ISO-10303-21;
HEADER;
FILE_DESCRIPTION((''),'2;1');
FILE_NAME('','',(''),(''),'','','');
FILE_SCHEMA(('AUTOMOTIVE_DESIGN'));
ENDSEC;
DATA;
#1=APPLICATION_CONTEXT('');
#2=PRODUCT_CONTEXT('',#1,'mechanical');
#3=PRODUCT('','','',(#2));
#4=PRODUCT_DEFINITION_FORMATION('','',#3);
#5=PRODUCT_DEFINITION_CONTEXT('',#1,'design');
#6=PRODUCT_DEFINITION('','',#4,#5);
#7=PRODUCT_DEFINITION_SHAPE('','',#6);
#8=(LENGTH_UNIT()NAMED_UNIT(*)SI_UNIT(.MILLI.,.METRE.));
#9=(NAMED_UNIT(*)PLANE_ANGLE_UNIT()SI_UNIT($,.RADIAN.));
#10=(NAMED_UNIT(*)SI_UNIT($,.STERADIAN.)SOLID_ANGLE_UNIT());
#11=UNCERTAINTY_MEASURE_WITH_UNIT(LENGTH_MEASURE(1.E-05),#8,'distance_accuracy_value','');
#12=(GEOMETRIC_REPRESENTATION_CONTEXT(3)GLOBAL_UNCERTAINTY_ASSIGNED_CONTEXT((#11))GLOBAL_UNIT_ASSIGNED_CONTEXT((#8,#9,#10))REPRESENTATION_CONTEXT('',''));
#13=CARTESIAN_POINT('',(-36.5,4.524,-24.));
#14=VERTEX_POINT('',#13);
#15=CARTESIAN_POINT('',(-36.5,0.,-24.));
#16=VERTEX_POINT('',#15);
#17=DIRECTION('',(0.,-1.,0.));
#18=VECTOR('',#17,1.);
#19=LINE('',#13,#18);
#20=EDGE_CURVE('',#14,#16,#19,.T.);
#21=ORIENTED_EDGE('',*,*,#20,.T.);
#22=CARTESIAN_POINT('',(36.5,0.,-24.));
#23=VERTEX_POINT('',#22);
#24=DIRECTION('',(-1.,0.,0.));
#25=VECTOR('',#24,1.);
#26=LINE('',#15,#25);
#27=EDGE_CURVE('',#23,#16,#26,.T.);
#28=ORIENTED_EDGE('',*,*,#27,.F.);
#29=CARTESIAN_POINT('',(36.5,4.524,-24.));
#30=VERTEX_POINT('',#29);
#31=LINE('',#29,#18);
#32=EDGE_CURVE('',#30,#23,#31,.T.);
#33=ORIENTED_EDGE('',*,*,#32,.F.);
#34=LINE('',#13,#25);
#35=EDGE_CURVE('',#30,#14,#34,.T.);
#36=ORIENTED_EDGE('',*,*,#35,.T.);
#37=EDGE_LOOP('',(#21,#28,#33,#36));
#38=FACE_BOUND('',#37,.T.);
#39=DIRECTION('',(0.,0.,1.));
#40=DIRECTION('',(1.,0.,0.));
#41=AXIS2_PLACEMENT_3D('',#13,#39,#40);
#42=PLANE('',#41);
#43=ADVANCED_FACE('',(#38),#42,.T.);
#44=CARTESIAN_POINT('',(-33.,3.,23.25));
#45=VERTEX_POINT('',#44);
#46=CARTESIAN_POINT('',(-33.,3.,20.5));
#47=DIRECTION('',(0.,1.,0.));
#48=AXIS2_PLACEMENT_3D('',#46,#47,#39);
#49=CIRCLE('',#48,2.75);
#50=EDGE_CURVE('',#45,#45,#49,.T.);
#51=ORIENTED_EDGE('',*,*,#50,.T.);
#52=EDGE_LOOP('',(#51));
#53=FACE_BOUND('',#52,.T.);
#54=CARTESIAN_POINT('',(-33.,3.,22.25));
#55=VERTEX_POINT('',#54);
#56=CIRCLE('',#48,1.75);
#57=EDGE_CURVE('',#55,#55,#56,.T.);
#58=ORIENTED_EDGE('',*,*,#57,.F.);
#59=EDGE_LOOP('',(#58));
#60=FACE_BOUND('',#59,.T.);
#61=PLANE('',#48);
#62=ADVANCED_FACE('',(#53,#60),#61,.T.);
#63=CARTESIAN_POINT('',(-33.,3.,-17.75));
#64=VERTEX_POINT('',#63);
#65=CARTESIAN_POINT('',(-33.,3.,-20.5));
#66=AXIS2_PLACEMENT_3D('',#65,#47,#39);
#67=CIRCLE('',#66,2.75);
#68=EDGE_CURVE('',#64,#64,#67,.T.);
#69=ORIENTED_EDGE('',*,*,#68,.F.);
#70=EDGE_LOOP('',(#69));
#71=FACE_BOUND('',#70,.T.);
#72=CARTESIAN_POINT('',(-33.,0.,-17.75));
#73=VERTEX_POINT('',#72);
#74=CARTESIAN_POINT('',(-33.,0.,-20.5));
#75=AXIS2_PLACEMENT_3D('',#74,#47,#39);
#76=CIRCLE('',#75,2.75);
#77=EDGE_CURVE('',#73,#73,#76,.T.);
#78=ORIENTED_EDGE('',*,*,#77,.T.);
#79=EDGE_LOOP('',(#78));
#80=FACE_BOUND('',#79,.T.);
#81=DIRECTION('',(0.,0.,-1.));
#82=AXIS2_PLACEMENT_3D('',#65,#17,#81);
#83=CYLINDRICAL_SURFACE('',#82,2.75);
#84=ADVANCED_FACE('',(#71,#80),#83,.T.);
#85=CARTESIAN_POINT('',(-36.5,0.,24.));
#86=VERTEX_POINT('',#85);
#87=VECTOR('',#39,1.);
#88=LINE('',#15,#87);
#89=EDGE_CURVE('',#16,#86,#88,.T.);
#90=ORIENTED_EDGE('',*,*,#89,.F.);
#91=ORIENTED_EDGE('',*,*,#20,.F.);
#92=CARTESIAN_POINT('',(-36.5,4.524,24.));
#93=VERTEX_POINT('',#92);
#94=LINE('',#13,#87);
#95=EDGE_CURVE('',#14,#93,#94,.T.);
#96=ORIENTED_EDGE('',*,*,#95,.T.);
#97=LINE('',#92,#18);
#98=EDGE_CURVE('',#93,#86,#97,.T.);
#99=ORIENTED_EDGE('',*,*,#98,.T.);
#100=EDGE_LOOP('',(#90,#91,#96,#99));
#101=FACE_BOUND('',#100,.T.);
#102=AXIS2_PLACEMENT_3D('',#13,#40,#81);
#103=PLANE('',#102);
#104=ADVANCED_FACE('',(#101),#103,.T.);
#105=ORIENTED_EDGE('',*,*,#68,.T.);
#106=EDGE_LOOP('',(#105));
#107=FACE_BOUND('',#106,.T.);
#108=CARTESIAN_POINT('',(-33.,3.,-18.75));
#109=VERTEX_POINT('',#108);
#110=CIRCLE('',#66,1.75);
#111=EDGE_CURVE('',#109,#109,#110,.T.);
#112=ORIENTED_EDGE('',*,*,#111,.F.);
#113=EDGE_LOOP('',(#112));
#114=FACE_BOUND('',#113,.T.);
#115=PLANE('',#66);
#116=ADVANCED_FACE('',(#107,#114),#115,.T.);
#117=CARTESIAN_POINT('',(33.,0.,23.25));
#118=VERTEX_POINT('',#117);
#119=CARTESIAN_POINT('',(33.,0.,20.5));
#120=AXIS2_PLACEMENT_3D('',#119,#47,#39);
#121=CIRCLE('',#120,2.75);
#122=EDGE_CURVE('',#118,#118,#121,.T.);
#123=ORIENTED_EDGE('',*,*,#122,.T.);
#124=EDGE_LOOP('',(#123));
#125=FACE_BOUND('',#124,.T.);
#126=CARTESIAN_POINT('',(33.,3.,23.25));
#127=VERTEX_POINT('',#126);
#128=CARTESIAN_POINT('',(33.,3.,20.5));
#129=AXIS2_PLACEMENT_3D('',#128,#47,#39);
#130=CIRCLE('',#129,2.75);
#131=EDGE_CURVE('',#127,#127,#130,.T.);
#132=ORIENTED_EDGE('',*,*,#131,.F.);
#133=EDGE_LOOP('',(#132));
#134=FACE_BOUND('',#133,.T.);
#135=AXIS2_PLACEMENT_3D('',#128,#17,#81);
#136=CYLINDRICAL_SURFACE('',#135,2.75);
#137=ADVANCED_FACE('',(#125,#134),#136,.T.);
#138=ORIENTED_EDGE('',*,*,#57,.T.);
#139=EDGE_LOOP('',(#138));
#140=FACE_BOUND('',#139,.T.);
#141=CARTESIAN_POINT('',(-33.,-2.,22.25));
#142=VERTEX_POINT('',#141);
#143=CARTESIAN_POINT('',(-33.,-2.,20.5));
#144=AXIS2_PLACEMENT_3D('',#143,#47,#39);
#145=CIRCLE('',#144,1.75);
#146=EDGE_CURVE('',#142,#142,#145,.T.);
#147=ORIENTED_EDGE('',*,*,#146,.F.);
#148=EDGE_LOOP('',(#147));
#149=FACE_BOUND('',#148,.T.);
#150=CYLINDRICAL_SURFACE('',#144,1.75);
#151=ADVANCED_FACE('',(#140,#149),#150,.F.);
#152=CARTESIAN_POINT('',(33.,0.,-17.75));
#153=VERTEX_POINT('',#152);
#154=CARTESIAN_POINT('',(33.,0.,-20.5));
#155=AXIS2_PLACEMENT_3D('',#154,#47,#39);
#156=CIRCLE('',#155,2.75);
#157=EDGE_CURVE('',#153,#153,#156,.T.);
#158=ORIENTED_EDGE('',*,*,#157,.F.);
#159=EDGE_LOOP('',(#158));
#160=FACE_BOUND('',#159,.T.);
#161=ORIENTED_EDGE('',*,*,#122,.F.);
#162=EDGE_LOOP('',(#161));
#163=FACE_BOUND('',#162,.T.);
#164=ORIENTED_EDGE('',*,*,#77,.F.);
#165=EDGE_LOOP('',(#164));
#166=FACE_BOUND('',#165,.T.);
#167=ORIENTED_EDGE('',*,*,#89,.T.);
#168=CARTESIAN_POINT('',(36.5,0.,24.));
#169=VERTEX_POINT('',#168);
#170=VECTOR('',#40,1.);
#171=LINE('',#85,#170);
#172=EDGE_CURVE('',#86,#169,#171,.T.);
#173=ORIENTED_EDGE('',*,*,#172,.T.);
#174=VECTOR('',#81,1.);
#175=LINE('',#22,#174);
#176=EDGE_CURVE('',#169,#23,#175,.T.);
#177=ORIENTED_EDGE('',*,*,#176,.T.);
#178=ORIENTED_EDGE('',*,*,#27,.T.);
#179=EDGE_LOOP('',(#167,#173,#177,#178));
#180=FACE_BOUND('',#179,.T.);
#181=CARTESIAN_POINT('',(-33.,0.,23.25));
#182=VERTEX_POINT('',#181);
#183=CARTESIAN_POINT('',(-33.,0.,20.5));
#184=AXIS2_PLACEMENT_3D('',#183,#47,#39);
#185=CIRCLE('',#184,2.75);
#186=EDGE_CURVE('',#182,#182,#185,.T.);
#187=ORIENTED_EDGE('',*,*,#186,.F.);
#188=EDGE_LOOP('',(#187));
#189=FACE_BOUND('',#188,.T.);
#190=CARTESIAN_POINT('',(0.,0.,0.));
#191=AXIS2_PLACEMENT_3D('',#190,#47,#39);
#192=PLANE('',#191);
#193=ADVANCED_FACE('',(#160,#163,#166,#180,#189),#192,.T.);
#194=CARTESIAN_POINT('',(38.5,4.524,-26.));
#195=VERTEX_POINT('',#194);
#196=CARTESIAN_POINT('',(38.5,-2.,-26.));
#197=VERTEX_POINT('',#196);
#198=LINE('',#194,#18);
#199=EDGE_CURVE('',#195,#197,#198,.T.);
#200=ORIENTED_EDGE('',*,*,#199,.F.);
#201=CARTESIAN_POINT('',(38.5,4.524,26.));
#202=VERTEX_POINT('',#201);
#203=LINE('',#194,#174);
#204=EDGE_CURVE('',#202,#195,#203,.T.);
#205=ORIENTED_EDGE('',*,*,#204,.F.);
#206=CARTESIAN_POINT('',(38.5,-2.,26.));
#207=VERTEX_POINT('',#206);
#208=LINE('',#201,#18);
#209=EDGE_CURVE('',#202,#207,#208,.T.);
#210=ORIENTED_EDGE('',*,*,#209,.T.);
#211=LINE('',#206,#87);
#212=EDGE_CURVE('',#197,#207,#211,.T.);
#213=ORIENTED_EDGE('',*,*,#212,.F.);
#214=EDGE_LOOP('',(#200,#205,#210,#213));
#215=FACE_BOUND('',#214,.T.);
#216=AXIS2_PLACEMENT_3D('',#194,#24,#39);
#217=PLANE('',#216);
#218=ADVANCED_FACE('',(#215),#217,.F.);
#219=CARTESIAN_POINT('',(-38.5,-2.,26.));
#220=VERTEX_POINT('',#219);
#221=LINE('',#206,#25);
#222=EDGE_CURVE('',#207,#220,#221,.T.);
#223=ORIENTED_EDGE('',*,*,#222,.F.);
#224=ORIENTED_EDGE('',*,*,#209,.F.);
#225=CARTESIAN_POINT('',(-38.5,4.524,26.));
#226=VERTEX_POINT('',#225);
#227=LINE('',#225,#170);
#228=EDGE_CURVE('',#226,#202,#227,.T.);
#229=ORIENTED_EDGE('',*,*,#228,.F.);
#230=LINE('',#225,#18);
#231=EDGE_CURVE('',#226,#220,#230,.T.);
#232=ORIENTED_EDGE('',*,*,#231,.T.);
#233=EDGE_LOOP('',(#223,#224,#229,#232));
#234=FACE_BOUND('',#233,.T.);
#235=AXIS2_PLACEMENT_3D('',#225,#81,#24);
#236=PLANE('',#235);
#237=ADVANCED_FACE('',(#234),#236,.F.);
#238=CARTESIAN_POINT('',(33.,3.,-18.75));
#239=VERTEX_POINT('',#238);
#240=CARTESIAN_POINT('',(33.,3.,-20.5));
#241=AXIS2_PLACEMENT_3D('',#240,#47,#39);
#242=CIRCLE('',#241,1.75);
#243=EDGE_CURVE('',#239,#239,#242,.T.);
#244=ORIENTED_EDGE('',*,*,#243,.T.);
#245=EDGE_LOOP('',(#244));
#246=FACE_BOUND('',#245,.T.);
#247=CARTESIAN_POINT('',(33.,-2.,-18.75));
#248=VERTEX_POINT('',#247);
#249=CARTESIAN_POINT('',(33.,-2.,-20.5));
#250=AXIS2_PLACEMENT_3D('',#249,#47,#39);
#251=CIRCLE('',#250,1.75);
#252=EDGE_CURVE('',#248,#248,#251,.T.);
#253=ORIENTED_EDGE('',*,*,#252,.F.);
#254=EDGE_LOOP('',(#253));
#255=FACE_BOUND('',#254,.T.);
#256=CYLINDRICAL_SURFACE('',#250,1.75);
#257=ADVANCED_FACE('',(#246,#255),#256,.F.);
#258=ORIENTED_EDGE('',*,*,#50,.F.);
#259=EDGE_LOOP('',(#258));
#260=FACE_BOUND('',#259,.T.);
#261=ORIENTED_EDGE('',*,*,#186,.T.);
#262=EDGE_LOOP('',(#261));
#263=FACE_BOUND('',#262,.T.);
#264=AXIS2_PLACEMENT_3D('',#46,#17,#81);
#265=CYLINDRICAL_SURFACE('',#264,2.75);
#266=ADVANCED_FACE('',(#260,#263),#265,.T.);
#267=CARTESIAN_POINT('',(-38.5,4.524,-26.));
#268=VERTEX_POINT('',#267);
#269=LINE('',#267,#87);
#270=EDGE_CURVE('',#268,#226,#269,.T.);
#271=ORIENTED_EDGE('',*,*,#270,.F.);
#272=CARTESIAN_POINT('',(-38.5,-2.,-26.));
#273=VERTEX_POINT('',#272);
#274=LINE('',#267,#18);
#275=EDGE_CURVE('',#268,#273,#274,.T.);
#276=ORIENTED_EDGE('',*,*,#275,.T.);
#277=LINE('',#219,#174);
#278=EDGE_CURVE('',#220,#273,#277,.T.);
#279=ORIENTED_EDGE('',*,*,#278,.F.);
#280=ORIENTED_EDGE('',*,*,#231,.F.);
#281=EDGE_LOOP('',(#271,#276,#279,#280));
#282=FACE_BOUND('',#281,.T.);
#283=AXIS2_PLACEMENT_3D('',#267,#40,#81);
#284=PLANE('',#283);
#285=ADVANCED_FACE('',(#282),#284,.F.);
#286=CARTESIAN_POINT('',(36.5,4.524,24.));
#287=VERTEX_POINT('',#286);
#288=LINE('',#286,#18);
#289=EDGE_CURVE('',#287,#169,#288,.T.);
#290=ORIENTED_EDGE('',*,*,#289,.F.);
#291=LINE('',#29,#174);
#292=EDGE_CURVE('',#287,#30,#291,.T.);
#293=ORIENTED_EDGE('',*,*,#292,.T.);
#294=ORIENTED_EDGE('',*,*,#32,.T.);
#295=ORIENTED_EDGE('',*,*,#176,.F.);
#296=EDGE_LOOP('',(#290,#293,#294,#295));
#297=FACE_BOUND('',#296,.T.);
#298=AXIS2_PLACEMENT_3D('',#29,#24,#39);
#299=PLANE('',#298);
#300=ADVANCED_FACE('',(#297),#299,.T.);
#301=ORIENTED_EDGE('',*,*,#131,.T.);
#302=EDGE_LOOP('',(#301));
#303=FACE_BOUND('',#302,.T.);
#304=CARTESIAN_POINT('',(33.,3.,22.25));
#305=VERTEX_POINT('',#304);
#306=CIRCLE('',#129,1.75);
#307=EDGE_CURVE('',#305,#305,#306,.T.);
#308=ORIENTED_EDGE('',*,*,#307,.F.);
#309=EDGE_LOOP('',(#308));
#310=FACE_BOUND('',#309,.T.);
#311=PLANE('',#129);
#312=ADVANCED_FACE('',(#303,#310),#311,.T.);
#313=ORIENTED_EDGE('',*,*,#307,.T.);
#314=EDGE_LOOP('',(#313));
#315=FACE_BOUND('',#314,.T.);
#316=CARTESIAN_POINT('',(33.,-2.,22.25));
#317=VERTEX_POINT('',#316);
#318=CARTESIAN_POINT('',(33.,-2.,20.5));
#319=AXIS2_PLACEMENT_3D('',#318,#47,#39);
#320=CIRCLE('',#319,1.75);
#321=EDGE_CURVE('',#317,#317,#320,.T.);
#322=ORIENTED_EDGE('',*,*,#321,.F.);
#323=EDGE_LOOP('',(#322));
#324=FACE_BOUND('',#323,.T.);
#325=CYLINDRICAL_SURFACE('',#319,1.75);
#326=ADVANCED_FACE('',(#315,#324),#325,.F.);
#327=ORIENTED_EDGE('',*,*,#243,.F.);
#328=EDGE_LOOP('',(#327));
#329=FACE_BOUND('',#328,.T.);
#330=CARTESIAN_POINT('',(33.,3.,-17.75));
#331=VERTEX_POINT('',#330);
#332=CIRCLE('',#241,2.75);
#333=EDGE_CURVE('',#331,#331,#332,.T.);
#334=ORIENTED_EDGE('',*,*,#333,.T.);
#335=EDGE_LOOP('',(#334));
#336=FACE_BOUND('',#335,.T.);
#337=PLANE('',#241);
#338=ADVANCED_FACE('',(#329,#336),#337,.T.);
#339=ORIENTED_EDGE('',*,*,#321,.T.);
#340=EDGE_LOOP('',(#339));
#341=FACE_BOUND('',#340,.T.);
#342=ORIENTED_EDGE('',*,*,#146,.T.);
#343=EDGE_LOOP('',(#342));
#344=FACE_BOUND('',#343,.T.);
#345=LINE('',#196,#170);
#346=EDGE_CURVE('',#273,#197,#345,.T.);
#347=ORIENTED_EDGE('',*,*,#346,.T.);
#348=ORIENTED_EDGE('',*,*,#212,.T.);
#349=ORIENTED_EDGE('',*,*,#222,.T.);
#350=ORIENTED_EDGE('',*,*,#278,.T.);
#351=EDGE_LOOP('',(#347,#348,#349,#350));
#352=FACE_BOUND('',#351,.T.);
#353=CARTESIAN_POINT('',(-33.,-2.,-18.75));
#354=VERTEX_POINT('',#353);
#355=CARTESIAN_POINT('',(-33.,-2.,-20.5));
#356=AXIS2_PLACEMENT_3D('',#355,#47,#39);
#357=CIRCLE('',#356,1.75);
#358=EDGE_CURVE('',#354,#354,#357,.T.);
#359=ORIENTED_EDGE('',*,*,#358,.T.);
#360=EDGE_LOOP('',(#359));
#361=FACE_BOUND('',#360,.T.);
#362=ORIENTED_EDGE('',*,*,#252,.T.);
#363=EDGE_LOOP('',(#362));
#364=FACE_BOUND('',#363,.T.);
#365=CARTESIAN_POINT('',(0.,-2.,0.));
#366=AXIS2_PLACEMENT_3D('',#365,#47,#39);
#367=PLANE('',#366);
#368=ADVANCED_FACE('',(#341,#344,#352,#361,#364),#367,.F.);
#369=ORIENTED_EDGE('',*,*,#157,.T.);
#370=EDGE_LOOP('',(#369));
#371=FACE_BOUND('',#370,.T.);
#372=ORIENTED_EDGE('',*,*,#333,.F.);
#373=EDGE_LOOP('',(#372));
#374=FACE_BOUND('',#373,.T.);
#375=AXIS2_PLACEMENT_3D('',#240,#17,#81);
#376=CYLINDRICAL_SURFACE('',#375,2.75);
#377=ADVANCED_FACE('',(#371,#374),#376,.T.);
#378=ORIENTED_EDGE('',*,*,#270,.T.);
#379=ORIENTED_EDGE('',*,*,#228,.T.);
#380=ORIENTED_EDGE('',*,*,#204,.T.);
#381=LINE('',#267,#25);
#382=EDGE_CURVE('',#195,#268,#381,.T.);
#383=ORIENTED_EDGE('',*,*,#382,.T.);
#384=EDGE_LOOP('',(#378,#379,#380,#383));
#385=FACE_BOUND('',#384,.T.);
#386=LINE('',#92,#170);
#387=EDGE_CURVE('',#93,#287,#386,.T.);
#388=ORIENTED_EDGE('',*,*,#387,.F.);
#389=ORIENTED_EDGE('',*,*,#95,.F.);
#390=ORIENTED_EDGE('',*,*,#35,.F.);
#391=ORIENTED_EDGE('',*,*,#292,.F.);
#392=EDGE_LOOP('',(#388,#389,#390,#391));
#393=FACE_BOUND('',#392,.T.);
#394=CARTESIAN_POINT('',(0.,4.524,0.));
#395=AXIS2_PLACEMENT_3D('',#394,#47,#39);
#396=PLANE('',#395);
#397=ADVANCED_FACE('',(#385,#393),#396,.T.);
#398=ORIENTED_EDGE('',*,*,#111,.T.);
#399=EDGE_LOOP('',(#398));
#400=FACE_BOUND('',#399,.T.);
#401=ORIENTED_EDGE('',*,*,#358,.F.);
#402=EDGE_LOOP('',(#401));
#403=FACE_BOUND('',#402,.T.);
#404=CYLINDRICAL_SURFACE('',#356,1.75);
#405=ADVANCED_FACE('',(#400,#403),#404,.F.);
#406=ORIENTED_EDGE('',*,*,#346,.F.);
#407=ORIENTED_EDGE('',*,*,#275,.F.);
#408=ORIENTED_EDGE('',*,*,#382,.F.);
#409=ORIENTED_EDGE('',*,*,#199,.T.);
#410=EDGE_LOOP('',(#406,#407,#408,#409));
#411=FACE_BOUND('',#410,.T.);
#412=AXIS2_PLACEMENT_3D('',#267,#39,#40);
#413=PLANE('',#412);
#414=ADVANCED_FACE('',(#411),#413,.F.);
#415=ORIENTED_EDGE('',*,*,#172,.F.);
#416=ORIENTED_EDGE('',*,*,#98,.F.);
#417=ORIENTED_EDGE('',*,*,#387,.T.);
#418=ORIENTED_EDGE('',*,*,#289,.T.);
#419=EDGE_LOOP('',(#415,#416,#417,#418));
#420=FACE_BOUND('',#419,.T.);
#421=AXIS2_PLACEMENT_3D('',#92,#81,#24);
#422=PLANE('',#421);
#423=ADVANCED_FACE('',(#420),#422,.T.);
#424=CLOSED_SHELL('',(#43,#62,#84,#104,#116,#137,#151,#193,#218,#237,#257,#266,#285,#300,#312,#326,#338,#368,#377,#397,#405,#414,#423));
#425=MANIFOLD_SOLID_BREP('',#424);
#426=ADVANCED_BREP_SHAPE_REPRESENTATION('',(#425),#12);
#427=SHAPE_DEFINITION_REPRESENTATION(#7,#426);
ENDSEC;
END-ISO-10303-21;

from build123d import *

# Parameters (mm, degrees)
SKETCH1_W           = 77
SKETCH1_H           = 52
SKETCH1_W_2         = 73
SKETCH1_H_2         = 48
BOSS_EXTRUDE1_DEPTH = 4.524
SKETCH2_W           = 77
SKETCH2_H           = 52
BOSS_EXTRUDE2_DEPTH = 2
SKETCH3_R           = 1.75
CUT_EXTRUDE1_DEPTH  = 2
BOSS_EXTRUDE3_START = 3
SKETCH4_R           = 2.75
SKETCH4_R_2         = 1.75
BOSS_EXTRUDE3_DEPTH = 3


with BuildPart() as part:
    # Sketch1 → Boss-Extrude1 (new body)
    with BuildSketch(Plane(origin=(0, 0, 0), x_dir=(1, 0, 0), z_dir=(0, 1, 0))):
        Rectangle(SKETCH1_W, SKETCH1_H)
        Rectangle(SKETCH1_W_2, SKETCH1_H_2, mode=Mode.SUBTRACT)
    extrude(amount=BOSS_EXTRUDE1_DEPTH)

    # Sketch2 → Boss-Extrude2 (add)
    with BuildSketch(Plane.XZ):
        Rectangle(SKETCH2_W, SKETCH2_H)
    extrude(amount=BOSS_EXTRUDE2_DEPTH)

    # Sketch3 → Cut-Extrude1 (cut)
    with BuildSketch(Plane(origin=(0, 0, 0), x_dir=(1, 0, 0), z_dir=(0, 1, 0))):
        with Locations(Location((-33, 20.5, 0), (0, 0, 270))):
            Circle(SKETCH3_R)
        with Locations(Location((33, 20.5, 0), (0, 0, 270))):
            Circle(SKETCH3_R)
        with Locations(Location((33, -20.5, 0), (0, 0, 270))):
            Circle(SKETCH3_R)
        with Locations(Location((-33, -20.5, 0), (0, 0, 270))):
            Circle(SKETCH3_R)
    extrude(amount=-CUT_EXTRUDE1_DEPTH, mode=Mode.SUBTRACT)

    # Sketch4 → Boss-Extrude3 (add)
    # profile 1 of 4: a face of its own
    with BuildSketch(Plane(origin=(0, 0, 0), x_dir=(1, 0, 0), z_dir=(0, 1, 0)).offset(BOSS_EXTRUDE3_START)):
        with Locations(Location((-33, -20.5, 0), (0, 0, 270))):
            Circle(SKETCH4_R)
        with Locations(Location((-33, -20.5, 0), (0, 0, 270))):
            Circle(SKETCH4_R_2, mode=Mode.SUBTRACT)
    # profile 2 of 4: a face of its own
    with BuildSketch(Plane(origin=(0, 0, 0), x_dir=(1, 0, 0), z_dir=(0, 1, 0)).offset(BOSS_EXTRUDE3_START)):
        with Locations(Location((33, -20.5, 0), (0, 0, 270))):
            Circle(SKETCH4_R)
        with Locations(Location((33, -20.5, 0), (0, 0, 270))):
            Circle(SKETCH4_R_2, mode=Mode.SUBTRACT)
    # profile 3 of 4: a face of its own
    with BuildSketch(Plane(origin=(0, 0, 0), x_dir=(1, 0, 0), z_dir=(0, 1, 0)).offset(BOSS_EXTRUDE3_START)):
        with Locations(Location((33, 20.5, 0), (0, 0, 270))):
            Circle(SKETCH4_R)
        with Locations(Location((33, 20.5, 0), (0, 0, 270))):
            Circle(SKETCH4_R_2, mode=Mode.SUBTRACT)
    # profile 4 of 4: a face of its own
    with BuildSketch(Plane(origin=(0, 0, 0), x_dir=(1, 0, 0), z_dir=(0, 1, 0)).offset(BOSS_EXTRUDE3_START)):
        with Locations(Location((-33, 20.5, 0), (0, 0, 270))):
            Circle(SKETCH4_R)
        with Locations(Location((-33, 20.5, 0), (0, 0, 270))):
            Circle(SKETCH4_R_2, mode=Mode.SUBTRACT)
    extrude(amount=-BOSS_EXTRUDE3_DEPTH)


solid = part.part
